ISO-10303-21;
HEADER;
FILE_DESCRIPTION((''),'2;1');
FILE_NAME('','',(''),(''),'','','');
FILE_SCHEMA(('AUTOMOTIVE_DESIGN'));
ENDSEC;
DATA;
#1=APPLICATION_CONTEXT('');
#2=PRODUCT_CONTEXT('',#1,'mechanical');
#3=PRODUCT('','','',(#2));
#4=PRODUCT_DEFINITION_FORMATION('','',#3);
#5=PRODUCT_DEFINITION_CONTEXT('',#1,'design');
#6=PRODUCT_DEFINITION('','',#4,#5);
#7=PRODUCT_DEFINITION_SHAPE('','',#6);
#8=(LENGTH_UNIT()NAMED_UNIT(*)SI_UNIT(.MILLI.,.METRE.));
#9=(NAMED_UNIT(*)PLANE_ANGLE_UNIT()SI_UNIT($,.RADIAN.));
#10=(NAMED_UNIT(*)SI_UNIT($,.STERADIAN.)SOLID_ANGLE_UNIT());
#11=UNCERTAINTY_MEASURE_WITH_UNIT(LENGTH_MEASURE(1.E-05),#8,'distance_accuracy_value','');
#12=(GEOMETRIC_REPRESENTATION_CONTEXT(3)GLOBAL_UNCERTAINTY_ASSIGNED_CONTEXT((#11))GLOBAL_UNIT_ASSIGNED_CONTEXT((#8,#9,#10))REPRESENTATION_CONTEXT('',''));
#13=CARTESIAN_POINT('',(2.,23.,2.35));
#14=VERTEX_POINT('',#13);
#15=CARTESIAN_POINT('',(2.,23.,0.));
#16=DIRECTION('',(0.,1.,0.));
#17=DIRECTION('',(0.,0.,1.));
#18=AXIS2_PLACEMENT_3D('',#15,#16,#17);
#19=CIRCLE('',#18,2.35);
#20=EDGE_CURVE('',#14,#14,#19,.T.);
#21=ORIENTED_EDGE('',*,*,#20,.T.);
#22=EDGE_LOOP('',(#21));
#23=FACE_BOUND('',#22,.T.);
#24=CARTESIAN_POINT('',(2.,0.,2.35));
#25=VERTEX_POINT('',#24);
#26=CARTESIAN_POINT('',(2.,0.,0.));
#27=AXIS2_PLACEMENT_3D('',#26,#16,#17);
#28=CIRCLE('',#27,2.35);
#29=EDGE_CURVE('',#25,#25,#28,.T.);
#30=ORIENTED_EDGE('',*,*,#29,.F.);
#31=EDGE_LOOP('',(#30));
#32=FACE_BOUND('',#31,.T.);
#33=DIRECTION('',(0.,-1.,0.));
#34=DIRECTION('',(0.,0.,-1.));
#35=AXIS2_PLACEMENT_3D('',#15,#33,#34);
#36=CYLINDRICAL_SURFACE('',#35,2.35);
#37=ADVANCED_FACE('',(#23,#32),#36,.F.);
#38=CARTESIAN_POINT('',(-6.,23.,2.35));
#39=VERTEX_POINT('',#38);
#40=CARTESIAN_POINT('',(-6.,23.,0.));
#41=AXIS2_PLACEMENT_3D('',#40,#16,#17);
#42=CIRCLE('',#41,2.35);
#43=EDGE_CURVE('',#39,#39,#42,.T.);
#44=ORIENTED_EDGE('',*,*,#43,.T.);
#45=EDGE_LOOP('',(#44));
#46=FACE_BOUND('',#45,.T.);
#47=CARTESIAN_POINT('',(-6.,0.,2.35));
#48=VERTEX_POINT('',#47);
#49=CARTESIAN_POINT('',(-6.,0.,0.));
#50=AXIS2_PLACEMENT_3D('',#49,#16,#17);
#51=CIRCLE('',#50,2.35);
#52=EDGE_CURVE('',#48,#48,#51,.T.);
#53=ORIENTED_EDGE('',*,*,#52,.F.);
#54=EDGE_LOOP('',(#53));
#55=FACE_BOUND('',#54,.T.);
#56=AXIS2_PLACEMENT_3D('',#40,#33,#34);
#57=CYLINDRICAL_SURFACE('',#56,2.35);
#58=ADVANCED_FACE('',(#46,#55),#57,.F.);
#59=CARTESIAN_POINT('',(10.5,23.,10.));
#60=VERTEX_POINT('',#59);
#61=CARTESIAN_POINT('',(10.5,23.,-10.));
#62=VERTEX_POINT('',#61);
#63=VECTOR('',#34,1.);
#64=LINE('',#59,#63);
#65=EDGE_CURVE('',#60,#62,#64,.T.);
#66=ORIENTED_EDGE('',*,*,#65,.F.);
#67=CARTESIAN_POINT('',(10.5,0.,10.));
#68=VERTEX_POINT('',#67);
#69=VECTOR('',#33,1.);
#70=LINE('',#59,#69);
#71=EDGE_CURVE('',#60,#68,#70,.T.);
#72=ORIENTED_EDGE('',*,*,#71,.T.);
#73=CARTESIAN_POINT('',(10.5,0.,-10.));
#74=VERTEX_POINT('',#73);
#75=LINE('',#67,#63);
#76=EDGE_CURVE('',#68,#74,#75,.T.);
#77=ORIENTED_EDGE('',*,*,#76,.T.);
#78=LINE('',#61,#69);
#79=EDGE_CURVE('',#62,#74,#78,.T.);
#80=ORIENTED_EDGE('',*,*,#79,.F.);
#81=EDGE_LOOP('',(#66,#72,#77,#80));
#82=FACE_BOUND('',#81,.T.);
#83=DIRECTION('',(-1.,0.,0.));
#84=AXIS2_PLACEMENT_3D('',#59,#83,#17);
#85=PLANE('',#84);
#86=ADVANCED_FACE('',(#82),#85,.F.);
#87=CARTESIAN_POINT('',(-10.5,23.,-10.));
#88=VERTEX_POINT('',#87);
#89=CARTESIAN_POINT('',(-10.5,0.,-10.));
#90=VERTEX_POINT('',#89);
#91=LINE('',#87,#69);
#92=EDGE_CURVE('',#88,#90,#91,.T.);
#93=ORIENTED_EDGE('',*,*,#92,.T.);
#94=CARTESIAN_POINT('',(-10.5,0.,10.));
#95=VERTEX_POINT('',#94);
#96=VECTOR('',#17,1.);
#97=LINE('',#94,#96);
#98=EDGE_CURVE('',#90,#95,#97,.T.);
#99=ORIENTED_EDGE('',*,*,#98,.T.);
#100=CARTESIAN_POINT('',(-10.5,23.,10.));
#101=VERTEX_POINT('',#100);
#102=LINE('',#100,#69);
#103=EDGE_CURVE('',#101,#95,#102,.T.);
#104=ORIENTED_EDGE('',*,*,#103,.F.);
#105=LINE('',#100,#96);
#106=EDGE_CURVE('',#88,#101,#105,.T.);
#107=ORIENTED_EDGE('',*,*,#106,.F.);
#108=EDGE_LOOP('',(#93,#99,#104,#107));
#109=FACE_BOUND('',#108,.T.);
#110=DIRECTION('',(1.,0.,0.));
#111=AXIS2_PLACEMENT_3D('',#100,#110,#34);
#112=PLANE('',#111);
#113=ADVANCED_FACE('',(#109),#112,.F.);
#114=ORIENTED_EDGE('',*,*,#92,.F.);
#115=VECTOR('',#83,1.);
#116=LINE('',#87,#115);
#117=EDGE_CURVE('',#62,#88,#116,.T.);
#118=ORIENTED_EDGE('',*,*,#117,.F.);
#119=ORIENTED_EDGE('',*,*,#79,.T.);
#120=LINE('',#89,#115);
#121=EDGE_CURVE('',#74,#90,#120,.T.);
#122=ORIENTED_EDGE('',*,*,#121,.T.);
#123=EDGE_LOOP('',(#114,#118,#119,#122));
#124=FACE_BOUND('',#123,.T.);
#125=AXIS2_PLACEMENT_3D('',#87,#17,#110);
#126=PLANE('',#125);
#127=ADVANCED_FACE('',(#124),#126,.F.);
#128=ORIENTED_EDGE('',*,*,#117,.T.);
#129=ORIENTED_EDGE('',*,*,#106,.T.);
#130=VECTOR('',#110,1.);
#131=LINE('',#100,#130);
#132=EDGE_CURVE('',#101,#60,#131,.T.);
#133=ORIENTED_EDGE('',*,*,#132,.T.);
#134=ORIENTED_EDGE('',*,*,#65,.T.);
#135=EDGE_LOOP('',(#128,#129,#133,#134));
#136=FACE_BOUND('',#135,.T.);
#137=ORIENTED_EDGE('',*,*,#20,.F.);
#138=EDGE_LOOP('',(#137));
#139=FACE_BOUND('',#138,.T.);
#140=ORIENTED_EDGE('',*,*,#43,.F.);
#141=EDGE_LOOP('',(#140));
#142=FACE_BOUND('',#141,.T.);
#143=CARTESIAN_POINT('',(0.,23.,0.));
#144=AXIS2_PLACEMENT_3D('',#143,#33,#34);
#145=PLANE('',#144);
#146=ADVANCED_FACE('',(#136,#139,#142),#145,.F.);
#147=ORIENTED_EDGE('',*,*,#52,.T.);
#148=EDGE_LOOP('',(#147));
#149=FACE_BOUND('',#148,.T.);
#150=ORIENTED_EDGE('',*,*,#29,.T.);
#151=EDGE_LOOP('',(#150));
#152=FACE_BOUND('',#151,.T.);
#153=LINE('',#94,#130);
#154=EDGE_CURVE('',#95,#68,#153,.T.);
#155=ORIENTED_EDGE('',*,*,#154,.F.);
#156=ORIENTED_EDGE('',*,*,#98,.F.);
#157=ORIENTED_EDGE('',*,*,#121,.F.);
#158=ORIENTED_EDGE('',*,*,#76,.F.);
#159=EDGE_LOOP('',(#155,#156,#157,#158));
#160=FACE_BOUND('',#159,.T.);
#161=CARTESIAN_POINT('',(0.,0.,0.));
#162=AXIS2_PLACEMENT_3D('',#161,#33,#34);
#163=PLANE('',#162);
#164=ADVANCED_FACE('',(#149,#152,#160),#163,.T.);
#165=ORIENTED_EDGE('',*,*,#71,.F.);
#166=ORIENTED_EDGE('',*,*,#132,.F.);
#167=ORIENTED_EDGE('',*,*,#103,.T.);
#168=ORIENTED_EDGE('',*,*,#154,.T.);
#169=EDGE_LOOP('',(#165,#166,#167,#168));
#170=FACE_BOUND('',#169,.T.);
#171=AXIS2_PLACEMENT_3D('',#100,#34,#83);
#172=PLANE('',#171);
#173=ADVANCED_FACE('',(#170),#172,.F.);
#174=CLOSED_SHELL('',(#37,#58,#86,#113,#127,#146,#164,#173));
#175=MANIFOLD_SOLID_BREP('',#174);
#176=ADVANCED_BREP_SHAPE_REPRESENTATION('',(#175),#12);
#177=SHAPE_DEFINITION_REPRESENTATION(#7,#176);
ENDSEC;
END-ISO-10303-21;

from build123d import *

# Parameters (mm, degrees)
SKETCH1_W           = 21
SKETCH1_H           = 20
SKETCH1_R           = 2.35
BOSS_EXTRUDE1_DEPTH = 23


with BuildPart() as part:
    # Sketch1 → Boss-Extrude1 (new body)
    with BuildSketch(Plane(origin=(0, 0, 0), x_dir=(1, 0, 0), z_dir=(0, 1, 0))):
        Rectangle(SKETCH1_W, SKETCH1_H)
        with Locations(Location((-6, 0, 0), (0, 0, 270))):
            Circle(SKETCH1_R, mode=Mode.SUBTRACT)
        with Locations(Location((2, 0, 0), (0, 0, 270))):
            Circle(SKETCH1_R, mode=Mode.SUBTRACT)
    extrude(amount=BOSS_EXTRUDE1_DEPTH)


solid = part.part
